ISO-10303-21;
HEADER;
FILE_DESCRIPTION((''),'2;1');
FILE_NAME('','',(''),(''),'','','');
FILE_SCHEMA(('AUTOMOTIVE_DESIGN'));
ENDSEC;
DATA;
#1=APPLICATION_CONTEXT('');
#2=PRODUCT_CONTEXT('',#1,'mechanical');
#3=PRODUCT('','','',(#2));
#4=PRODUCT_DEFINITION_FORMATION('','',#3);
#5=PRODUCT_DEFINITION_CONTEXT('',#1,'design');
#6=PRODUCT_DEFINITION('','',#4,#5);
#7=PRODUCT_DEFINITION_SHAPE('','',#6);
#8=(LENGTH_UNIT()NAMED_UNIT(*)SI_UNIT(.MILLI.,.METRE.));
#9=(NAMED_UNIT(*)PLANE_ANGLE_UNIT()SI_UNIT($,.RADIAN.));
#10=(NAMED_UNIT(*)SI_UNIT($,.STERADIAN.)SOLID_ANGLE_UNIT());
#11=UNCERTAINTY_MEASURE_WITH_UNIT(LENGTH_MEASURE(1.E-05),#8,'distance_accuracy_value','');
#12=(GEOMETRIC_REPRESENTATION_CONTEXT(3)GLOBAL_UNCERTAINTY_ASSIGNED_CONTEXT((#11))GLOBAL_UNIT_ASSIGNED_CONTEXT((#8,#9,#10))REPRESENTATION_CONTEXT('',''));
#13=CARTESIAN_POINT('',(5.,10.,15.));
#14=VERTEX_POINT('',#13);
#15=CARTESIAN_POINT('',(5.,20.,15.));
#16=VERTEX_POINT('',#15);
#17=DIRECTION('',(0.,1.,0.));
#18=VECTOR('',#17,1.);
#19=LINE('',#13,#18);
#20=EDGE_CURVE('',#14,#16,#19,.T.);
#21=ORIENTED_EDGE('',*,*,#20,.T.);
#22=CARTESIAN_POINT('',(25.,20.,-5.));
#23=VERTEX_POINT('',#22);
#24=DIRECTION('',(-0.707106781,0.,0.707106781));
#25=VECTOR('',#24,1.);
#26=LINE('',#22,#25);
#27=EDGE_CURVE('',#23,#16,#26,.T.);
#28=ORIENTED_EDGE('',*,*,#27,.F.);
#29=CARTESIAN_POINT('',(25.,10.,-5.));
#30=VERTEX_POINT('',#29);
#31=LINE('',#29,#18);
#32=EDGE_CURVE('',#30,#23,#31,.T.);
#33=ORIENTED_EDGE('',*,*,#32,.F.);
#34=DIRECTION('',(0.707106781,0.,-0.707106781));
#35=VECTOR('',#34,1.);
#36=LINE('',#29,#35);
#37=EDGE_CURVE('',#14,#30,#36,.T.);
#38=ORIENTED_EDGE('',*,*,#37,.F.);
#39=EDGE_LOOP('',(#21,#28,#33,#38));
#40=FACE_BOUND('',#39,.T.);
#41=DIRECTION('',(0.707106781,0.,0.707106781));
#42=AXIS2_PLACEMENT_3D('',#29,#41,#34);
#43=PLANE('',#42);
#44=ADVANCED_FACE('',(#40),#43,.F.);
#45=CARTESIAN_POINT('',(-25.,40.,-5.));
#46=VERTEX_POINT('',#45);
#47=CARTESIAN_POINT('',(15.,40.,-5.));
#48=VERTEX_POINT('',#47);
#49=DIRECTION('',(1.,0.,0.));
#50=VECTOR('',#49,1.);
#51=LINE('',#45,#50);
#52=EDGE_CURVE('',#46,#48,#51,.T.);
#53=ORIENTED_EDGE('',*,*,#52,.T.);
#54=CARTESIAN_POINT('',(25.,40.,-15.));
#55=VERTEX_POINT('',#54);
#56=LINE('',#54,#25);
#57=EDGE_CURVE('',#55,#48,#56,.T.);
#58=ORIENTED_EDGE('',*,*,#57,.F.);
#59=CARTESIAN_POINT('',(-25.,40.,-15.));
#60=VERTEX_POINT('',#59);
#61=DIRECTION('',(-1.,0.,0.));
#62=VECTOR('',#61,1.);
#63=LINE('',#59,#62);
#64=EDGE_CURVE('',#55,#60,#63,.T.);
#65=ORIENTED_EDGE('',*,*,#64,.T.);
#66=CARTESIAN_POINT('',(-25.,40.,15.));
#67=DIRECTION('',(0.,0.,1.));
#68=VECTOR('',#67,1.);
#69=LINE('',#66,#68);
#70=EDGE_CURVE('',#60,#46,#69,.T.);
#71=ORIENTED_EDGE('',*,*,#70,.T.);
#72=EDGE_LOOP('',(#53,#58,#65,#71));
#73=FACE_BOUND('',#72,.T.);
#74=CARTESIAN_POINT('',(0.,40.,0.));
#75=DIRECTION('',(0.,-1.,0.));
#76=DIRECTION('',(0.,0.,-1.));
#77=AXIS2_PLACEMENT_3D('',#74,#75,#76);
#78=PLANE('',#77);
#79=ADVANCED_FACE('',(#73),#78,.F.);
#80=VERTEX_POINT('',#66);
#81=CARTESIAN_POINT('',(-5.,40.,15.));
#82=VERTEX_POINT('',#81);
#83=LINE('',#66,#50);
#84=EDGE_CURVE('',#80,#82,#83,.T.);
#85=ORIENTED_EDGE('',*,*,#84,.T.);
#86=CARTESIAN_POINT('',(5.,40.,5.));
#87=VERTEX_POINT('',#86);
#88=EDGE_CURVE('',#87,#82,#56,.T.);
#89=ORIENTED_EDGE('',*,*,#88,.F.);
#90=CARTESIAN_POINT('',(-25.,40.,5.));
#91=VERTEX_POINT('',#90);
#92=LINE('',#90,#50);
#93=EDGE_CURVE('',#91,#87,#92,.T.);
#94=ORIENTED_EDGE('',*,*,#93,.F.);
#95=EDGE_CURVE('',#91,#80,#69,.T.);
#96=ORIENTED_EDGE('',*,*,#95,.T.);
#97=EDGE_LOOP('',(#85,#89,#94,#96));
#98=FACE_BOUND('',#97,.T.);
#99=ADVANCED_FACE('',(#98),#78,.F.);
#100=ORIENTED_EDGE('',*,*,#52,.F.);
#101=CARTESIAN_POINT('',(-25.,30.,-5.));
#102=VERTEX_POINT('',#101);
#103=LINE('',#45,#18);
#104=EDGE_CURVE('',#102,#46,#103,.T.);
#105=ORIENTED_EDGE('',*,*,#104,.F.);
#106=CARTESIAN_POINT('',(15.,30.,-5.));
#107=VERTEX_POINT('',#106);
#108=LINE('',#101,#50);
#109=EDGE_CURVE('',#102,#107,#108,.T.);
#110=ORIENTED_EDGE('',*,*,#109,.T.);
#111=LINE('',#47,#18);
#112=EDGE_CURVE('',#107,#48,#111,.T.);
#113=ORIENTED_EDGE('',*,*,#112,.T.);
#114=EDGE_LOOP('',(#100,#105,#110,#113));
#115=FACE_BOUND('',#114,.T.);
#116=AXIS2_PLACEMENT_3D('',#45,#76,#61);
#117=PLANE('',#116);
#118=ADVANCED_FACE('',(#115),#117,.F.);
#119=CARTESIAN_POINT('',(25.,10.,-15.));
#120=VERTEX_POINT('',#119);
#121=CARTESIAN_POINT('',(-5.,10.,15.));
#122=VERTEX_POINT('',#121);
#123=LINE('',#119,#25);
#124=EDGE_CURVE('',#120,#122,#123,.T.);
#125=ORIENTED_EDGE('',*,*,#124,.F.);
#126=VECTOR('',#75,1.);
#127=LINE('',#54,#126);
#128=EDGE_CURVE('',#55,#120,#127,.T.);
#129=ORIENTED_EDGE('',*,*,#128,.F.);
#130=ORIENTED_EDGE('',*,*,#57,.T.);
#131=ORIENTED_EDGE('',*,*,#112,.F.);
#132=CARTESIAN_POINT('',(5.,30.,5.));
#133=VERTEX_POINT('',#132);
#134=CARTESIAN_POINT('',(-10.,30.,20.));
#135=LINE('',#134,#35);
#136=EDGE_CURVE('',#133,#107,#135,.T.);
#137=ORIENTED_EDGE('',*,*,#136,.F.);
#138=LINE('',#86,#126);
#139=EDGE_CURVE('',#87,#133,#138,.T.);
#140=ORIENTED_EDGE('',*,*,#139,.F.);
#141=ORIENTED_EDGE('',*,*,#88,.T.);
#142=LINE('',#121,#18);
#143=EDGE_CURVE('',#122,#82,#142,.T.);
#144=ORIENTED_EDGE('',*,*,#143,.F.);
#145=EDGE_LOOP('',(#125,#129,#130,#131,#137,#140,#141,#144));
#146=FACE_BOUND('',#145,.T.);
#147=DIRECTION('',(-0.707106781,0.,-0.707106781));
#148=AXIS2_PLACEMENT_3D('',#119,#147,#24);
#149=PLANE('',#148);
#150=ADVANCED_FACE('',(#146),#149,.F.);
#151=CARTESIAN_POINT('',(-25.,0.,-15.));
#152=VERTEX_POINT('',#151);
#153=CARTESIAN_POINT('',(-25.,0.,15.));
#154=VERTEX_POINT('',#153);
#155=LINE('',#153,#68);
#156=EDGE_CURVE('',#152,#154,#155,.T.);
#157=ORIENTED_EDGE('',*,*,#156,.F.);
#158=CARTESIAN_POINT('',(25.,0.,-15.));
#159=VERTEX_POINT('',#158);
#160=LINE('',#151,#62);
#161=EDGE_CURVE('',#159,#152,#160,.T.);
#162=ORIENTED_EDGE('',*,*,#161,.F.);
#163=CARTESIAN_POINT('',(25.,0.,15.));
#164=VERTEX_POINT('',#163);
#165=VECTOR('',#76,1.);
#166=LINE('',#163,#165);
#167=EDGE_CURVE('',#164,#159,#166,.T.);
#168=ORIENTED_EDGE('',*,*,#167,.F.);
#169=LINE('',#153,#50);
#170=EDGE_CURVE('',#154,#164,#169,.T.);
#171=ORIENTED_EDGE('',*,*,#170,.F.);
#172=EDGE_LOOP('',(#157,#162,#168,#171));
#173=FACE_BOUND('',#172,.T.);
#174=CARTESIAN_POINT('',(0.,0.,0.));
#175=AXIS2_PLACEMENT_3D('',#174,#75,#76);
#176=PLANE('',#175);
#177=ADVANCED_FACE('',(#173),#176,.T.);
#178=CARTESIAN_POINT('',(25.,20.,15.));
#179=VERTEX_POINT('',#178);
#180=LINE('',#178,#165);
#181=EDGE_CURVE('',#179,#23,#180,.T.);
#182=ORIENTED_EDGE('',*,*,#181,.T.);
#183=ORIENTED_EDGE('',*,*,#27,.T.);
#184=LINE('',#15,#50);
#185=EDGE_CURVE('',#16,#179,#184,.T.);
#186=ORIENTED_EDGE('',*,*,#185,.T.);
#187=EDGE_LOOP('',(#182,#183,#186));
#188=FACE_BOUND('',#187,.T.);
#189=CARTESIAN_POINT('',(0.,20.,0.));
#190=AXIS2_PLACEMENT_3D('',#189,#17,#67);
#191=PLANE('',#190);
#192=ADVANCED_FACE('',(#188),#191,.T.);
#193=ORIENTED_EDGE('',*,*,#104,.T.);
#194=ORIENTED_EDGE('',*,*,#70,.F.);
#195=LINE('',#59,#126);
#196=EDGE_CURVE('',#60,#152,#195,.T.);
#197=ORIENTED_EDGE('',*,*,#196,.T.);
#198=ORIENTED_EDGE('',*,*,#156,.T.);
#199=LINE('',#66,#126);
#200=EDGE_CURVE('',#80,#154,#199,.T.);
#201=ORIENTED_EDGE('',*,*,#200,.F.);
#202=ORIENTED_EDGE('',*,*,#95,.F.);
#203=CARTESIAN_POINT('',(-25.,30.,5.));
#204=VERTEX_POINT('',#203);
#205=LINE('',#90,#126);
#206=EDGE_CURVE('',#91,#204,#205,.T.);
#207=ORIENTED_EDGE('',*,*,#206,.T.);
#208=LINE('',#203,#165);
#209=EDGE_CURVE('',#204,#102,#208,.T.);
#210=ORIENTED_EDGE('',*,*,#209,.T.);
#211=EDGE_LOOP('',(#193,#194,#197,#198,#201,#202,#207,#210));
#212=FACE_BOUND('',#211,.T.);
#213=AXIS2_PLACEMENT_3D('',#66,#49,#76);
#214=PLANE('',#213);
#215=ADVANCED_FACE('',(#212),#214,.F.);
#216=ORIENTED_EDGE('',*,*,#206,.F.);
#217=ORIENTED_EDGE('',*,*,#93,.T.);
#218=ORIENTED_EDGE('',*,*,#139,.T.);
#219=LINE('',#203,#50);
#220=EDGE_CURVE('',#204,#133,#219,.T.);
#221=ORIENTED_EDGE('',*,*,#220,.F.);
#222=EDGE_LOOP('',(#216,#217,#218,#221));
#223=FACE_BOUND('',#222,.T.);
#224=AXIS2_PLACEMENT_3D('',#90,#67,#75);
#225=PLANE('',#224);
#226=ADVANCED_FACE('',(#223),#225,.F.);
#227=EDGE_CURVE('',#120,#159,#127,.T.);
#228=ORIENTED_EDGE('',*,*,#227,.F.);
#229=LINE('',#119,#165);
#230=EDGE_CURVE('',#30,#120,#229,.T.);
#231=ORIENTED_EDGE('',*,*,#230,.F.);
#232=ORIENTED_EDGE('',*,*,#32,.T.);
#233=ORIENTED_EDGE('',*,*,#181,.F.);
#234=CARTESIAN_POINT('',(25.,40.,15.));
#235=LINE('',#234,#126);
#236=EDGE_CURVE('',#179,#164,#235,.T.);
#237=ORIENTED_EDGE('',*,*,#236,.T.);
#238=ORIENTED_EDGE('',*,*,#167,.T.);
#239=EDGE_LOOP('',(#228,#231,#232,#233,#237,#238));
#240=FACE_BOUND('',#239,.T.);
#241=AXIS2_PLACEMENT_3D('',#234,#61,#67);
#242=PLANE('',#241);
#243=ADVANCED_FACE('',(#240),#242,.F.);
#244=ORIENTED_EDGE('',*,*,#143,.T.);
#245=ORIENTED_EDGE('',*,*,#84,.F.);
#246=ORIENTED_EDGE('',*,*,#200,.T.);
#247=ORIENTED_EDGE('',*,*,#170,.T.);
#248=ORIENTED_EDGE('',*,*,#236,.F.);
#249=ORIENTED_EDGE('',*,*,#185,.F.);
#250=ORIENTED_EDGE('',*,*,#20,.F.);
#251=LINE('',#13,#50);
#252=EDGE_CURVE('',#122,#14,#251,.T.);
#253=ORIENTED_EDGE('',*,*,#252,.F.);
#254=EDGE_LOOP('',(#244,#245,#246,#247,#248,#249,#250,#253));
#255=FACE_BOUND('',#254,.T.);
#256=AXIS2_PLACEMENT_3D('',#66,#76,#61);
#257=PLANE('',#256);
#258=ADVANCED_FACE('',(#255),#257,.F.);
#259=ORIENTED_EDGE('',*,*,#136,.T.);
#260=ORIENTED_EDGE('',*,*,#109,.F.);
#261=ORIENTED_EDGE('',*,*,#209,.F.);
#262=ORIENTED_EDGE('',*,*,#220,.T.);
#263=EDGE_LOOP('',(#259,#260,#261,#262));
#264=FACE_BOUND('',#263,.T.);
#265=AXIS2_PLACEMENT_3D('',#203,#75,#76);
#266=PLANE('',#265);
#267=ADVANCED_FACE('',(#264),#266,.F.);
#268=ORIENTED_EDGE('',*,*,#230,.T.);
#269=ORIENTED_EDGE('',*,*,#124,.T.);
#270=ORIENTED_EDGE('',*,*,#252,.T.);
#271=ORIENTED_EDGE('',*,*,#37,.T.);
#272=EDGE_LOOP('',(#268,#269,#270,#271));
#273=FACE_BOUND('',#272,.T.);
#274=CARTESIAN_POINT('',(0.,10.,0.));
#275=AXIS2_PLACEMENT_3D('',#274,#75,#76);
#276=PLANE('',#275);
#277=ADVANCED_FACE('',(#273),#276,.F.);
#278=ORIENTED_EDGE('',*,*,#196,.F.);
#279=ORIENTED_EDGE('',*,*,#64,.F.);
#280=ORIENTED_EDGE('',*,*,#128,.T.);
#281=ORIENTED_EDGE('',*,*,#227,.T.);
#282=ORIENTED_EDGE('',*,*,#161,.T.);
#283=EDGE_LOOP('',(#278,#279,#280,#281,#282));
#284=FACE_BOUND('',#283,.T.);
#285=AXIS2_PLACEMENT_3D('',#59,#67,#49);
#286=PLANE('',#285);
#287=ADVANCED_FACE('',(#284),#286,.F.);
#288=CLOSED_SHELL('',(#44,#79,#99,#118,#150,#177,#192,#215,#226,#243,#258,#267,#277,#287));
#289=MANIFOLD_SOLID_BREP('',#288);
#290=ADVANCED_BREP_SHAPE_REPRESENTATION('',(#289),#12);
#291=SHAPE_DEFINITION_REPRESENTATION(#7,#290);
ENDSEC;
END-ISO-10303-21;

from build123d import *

# Parameters (mm, degrees)
SKETCH_1_W          = 50
SKETCH_1_H          = 30
EXTRUDE_1_DEPTH     = 40
SKETCH_2_W          = 10
SKETCH_2_H          = 10
CUT_EXTRUDE_1_DEPTH = 51
CUT_EXTRUDE_2_DEPTH = 20
CUT_EXTRUDE_3_DEPTH = 30


with BuildPart() as part:
    # 草圖1 → 填料-伸長1 (new body)
    with BuildSketch(Plane(origin=(0, 0, 0), x_dir=(1, 0, 0), z_dir=(0, 1, 0))):
        Rectangle(SKETCH_1_W, SKETCH_1_H)
    extrude(amount=EXTRUDE_1_DEPTH)

    # 草圖2 → 除料-伸長1 (cut, through all)
    with BuildSketch(Plane(origin=(25, 0, 0), x_dir=(0, 0, -1), z_dir=(1, 0, 0))):
        with Locations((0, 35)):
            Rectangle(SKETCH_2_W, SKETCH_2_H)
    extrude(amount=-CUT_EXTRUDE_1_DEPTH, mode=Mode.SUBTRACT)

    # 草圖3 → 除料-伸長2 (cut)
    with BuildSketch(Plane(origin=(0, 40, 0), x_dir=(1, 0, 0), z_dir=(0, 1, 0))):
        Polygon((25, -15), (25, 5), (5, -15), align=None)
    extrude(amount=-CUT_EXTRUDE_2_DEPTH, mode=Mode.SUBTRACT)

    # 草圖4 → 除料-伸長3 (cut)
    with BuildSketch(Plane(origin=(0, 40, 0), x_dir=(1, 0, 0), z_dir=(0, 1, 0))):
        Polygon((25, 15), (-5, -15), (5, -15), (25, 5), align=None)
    extrude(amount=-CUT_EXTRUDE_3_DEPTH, mode=Mode.SUBTRACT)


solid = part.part
